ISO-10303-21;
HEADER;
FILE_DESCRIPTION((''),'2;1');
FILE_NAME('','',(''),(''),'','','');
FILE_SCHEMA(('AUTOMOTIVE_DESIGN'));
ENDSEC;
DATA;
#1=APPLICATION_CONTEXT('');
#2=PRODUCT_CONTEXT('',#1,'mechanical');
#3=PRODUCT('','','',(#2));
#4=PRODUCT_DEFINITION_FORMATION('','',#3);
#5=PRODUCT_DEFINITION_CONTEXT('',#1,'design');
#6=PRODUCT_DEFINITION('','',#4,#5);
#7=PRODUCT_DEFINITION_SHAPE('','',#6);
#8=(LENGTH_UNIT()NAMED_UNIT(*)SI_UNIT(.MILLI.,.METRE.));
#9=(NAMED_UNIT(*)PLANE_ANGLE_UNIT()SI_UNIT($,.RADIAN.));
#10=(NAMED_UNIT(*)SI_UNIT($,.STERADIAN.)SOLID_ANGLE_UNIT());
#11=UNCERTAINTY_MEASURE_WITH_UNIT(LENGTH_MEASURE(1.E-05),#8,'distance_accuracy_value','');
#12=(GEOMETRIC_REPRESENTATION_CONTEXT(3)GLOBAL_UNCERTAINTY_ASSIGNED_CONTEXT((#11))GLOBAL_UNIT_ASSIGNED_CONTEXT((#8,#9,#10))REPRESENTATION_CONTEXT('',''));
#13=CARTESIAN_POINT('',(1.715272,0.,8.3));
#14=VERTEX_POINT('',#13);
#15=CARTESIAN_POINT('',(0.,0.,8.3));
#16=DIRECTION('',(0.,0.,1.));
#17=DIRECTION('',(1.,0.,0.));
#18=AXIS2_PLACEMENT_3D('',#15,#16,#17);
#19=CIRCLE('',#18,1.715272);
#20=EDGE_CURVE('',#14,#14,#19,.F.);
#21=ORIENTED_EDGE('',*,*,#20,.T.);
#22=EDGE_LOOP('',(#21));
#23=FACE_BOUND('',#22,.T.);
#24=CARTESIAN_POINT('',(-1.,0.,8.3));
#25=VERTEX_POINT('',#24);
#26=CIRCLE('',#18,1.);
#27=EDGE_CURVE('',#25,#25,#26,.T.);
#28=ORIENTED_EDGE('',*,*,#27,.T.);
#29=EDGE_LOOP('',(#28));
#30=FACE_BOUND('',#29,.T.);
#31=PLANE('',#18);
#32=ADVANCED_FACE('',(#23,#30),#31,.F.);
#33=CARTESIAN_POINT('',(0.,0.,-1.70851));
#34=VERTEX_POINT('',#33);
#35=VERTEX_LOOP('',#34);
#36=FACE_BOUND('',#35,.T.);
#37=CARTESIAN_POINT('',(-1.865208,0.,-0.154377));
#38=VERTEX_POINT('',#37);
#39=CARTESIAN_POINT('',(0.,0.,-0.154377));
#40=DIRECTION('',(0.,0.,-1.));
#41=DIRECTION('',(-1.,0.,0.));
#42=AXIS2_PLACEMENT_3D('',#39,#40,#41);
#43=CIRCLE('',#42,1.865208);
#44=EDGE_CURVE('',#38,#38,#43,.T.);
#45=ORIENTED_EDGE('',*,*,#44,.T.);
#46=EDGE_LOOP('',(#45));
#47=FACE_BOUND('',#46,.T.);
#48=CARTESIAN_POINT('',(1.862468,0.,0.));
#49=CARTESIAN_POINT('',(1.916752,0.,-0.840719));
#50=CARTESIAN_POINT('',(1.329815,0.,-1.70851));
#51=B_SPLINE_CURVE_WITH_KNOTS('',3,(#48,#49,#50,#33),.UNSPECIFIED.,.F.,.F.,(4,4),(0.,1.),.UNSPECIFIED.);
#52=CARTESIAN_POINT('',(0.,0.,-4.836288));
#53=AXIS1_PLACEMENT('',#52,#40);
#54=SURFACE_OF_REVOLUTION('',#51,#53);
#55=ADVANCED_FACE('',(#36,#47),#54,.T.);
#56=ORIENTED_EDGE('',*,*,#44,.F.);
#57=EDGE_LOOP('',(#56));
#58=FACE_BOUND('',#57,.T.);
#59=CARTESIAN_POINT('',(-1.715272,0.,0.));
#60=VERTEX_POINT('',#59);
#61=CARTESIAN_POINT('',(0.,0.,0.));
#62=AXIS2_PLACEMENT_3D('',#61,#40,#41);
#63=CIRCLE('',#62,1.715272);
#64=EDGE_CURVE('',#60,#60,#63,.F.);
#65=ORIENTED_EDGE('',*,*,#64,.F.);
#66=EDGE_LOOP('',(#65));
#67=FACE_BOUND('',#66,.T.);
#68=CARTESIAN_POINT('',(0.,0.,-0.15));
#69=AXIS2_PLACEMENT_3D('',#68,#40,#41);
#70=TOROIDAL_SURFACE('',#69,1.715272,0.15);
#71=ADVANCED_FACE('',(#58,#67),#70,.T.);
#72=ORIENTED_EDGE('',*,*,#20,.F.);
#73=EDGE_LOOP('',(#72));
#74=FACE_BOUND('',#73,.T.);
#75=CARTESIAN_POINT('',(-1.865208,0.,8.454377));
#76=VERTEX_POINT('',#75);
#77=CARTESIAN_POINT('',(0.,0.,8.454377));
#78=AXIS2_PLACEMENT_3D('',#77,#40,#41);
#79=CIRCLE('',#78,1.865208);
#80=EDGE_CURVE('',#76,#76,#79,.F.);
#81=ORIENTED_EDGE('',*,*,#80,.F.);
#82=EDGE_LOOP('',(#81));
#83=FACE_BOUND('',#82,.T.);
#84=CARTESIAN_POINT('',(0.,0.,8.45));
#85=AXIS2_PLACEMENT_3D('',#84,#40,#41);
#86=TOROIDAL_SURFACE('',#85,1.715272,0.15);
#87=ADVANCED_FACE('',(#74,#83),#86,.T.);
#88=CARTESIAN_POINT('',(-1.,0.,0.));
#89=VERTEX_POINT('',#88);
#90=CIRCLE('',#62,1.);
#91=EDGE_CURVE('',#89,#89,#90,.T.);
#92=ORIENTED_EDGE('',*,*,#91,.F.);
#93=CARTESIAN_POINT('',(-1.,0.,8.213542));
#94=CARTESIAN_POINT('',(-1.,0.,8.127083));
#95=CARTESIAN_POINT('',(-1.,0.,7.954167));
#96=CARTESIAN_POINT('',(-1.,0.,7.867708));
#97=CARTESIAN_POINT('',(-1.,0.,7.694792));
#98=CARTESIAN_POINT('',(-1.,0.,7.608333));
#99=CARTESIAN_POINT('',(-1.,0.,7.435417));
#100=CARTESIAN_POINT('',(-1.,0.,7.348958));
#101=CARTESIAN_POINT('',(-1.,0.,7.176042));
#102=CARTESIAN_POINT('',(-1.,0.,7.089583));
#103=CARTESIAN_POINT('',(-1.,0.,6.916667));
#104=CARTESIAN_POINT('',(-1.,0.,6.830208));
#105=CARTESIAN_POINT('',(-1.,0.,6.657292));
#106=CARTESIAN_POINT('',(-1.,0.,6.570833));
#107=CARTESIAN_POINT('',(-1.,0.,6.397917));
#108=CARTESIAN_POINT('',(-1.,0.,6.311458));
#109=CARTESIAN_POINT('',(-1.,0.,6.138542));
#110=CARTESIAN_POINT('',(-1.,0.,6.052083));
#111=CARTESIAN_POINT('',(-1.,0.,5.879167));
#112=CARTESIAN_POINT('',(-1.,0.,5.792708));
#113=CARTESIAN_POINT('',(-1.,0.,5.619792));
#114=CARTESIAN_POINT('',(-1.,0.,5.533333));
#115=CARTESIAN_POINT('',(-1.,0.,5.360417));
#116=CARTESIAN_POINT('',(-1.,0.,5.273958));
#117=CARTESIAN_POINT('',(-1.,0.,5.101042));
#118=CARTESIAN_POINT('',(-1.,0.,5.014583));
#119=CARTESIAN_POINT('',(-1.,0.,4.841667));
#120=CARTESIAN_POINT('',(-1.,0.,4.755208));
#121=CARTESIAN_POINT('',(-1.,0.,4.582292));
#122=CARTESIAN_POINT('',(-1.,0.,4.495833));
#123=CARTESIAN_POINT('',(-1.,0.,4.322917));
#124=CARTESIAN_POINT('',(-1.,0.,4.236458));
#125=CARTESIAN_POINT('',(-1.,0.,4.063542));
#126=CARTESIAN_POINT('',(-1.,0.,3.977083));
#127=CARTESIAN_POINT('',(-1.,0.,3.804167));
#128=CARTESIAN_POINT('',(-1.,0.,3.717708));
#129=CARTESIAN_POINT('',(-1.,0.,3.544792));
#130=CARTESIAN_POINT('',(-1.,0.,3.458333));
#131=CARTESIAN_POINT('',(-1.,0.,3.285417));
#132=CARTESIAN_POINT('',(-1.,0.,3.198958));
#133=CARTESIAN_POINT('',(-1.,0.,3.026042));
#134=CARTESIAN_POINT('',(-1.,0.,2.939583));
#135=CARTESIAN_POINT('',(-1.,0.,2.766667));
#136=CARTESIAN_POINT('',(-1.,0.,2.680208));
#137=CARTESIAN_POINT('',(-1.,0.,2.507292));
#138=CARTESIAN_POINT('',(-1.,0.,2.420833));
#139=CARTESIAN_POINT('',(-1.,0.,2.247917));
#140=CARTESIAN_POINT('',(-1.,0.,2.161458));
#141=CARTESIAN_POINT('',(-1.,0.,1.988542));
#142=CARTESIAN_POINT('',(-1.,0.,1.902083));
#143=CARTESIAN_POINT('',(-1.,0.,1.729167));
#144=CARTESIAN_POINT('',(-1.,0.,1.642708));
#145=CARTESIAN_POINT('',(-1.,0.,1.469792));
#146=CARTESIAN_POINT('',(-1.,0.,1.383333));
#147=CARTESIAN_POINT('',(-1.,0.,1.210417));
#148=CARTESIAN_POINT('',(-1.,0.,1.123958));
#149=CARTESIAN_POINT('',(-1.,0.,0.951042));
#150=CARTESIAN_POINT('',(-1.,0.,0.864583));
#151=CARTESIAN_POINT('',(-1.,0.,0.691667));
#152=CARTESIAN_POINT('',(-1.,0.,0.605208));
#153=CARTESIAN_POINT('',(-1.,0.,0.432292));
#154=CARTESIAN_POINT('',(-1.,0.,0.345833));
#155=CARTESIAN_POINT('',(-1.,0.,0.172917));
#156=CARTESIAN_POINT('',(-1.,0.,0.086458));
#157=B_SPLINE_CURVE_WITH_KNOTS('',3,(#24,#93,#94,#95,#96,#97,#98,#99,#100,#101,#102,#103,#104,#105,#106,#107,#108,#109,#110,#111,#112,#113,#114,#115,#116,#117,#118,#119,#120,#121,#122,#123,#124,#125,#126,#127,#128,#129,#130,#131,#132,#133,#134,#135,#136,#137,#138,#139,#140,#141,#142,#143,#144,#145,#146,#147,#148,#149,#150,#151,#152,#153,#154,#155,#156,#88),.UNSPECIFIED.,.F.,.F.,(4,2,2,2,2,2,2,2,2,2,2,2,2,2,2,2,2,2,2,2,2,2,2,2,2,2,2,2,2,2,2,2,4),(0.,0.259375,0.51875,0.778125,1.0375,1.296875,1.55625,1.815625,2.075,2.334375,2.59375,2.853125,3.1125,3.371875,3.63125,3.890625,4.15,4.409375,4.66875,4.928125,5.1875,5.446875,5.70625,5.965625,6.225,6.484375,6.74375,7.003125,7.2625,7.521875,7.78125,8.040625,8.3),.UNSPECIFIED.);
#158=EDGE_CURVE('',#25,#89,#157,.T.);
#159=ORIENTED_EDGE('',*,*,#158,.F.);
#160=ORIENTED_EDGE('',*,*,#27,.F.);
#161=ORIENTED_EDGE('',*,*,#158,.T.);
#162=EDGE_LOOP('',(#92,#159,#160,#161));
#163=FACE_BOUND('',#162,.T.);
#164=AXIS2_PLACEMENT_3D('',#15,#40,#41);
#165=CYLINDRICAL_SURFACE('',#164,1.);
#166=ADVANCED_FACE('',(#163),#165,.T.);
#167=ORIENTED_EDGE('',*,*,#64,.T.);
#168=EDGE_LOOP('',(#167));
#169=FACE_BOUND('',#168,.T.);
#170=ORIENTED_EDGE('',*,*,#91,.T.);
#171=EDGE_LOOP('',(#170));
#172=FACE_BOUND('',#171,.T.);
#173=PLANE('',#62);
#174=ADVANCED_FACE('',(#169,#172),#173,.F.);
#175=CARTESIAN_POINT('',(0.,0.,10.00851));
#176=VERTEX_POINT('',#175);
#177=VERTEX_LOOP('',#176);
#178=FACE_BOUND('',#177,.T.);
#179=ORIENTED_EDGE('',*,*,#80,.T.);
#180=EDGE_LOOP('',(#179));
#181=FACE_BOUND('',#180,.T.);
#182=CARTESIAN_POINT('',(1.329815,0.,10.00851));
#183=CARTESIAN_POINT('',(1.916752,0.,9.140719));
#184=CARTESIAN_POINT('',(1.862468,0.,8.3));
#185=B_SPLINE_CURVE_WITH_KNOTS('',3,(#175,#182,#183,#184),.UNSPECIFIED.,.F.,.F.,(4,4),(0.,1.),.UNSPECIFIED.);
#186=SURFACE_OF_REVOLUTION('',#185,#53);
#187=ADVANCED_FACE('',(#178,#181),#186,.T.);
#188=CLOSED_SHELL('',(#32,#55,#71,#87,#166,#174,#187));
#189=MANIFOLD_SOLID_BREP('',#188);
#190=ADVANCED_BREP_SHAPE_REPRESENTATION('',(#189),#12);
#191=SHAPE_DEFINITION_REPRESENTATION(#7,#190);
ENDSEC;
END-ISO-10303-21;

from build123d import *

# Parameters (mm, degrees)
SKETCH1_R           = 1
BOSS_EXTRUDE1_DEPTH = 8.3
FILLET1_R           = 0.15
FILLET2_R           = 0.15


with BuildPart() as part:
    # Sketch1 → Boss-Extrude1 (new body)
    with BuildSketch(Plane.XY):
        with Locations(Location((0, 0, 0), (0, 0, 180))):
            Circle(SKETCH1_R)
    extrude(amount=BOSS_EXTRUDE1_DEPTH)

    # Sketch2 → Revolve1 (revolve)
    with BuildSketch(Plane(origin=(0, 0, 0), x_dir=(1, 0, 0), z_dir=(0, 1, 0))):
        with BuildLine():
            Line((0, 0), (1.86246764, 0))
            add(Edge.make_bspline(
                [(1.86246764, 0), (1.916751975, 0.840718666), (1.329815324, 1.708509957), (0, 1.708509957)],
                knots=[0, 0, 0, 0, 1, 1, 1, 1], degree=3))
            Line((0, 1.708509957), (0, 0))
        make_face()
        with BuildLine():
            Line((0, -8.3), (1.86246764, -8.3))
            add(Edge.make_bspline(
                [(1.86246764, -8.3), (1.916751975, -9.140718666), (1.329815324, -10.008509957), (0, -10.008509957)],
                knots=[0, 0, 0, 0, 1, 1, 1, 1], degree=3))
            Line((0, -10.008509957), (0, -8.3))
        make_face()
    revolve(axis=Axis((0, 0, -4.836287687), (0, 0, 1)))

    # Fillet1
    fillet1_edges = [part.edges().sort_by_distance(p)[0] for p in [
        (-1.86246764, 0, 8.3),
    ]]
    fillet(fillet1_edges, radius=FILLET1_R)

    # Fillet2
    fillet2_edges = [part.edges().sort_by_distance(p)[0] for p in [
        (-1.86246764, 0, 0),
    ]]
    fillet(fillet2_edges, radius=FILLET2_R)


solid = part.part
